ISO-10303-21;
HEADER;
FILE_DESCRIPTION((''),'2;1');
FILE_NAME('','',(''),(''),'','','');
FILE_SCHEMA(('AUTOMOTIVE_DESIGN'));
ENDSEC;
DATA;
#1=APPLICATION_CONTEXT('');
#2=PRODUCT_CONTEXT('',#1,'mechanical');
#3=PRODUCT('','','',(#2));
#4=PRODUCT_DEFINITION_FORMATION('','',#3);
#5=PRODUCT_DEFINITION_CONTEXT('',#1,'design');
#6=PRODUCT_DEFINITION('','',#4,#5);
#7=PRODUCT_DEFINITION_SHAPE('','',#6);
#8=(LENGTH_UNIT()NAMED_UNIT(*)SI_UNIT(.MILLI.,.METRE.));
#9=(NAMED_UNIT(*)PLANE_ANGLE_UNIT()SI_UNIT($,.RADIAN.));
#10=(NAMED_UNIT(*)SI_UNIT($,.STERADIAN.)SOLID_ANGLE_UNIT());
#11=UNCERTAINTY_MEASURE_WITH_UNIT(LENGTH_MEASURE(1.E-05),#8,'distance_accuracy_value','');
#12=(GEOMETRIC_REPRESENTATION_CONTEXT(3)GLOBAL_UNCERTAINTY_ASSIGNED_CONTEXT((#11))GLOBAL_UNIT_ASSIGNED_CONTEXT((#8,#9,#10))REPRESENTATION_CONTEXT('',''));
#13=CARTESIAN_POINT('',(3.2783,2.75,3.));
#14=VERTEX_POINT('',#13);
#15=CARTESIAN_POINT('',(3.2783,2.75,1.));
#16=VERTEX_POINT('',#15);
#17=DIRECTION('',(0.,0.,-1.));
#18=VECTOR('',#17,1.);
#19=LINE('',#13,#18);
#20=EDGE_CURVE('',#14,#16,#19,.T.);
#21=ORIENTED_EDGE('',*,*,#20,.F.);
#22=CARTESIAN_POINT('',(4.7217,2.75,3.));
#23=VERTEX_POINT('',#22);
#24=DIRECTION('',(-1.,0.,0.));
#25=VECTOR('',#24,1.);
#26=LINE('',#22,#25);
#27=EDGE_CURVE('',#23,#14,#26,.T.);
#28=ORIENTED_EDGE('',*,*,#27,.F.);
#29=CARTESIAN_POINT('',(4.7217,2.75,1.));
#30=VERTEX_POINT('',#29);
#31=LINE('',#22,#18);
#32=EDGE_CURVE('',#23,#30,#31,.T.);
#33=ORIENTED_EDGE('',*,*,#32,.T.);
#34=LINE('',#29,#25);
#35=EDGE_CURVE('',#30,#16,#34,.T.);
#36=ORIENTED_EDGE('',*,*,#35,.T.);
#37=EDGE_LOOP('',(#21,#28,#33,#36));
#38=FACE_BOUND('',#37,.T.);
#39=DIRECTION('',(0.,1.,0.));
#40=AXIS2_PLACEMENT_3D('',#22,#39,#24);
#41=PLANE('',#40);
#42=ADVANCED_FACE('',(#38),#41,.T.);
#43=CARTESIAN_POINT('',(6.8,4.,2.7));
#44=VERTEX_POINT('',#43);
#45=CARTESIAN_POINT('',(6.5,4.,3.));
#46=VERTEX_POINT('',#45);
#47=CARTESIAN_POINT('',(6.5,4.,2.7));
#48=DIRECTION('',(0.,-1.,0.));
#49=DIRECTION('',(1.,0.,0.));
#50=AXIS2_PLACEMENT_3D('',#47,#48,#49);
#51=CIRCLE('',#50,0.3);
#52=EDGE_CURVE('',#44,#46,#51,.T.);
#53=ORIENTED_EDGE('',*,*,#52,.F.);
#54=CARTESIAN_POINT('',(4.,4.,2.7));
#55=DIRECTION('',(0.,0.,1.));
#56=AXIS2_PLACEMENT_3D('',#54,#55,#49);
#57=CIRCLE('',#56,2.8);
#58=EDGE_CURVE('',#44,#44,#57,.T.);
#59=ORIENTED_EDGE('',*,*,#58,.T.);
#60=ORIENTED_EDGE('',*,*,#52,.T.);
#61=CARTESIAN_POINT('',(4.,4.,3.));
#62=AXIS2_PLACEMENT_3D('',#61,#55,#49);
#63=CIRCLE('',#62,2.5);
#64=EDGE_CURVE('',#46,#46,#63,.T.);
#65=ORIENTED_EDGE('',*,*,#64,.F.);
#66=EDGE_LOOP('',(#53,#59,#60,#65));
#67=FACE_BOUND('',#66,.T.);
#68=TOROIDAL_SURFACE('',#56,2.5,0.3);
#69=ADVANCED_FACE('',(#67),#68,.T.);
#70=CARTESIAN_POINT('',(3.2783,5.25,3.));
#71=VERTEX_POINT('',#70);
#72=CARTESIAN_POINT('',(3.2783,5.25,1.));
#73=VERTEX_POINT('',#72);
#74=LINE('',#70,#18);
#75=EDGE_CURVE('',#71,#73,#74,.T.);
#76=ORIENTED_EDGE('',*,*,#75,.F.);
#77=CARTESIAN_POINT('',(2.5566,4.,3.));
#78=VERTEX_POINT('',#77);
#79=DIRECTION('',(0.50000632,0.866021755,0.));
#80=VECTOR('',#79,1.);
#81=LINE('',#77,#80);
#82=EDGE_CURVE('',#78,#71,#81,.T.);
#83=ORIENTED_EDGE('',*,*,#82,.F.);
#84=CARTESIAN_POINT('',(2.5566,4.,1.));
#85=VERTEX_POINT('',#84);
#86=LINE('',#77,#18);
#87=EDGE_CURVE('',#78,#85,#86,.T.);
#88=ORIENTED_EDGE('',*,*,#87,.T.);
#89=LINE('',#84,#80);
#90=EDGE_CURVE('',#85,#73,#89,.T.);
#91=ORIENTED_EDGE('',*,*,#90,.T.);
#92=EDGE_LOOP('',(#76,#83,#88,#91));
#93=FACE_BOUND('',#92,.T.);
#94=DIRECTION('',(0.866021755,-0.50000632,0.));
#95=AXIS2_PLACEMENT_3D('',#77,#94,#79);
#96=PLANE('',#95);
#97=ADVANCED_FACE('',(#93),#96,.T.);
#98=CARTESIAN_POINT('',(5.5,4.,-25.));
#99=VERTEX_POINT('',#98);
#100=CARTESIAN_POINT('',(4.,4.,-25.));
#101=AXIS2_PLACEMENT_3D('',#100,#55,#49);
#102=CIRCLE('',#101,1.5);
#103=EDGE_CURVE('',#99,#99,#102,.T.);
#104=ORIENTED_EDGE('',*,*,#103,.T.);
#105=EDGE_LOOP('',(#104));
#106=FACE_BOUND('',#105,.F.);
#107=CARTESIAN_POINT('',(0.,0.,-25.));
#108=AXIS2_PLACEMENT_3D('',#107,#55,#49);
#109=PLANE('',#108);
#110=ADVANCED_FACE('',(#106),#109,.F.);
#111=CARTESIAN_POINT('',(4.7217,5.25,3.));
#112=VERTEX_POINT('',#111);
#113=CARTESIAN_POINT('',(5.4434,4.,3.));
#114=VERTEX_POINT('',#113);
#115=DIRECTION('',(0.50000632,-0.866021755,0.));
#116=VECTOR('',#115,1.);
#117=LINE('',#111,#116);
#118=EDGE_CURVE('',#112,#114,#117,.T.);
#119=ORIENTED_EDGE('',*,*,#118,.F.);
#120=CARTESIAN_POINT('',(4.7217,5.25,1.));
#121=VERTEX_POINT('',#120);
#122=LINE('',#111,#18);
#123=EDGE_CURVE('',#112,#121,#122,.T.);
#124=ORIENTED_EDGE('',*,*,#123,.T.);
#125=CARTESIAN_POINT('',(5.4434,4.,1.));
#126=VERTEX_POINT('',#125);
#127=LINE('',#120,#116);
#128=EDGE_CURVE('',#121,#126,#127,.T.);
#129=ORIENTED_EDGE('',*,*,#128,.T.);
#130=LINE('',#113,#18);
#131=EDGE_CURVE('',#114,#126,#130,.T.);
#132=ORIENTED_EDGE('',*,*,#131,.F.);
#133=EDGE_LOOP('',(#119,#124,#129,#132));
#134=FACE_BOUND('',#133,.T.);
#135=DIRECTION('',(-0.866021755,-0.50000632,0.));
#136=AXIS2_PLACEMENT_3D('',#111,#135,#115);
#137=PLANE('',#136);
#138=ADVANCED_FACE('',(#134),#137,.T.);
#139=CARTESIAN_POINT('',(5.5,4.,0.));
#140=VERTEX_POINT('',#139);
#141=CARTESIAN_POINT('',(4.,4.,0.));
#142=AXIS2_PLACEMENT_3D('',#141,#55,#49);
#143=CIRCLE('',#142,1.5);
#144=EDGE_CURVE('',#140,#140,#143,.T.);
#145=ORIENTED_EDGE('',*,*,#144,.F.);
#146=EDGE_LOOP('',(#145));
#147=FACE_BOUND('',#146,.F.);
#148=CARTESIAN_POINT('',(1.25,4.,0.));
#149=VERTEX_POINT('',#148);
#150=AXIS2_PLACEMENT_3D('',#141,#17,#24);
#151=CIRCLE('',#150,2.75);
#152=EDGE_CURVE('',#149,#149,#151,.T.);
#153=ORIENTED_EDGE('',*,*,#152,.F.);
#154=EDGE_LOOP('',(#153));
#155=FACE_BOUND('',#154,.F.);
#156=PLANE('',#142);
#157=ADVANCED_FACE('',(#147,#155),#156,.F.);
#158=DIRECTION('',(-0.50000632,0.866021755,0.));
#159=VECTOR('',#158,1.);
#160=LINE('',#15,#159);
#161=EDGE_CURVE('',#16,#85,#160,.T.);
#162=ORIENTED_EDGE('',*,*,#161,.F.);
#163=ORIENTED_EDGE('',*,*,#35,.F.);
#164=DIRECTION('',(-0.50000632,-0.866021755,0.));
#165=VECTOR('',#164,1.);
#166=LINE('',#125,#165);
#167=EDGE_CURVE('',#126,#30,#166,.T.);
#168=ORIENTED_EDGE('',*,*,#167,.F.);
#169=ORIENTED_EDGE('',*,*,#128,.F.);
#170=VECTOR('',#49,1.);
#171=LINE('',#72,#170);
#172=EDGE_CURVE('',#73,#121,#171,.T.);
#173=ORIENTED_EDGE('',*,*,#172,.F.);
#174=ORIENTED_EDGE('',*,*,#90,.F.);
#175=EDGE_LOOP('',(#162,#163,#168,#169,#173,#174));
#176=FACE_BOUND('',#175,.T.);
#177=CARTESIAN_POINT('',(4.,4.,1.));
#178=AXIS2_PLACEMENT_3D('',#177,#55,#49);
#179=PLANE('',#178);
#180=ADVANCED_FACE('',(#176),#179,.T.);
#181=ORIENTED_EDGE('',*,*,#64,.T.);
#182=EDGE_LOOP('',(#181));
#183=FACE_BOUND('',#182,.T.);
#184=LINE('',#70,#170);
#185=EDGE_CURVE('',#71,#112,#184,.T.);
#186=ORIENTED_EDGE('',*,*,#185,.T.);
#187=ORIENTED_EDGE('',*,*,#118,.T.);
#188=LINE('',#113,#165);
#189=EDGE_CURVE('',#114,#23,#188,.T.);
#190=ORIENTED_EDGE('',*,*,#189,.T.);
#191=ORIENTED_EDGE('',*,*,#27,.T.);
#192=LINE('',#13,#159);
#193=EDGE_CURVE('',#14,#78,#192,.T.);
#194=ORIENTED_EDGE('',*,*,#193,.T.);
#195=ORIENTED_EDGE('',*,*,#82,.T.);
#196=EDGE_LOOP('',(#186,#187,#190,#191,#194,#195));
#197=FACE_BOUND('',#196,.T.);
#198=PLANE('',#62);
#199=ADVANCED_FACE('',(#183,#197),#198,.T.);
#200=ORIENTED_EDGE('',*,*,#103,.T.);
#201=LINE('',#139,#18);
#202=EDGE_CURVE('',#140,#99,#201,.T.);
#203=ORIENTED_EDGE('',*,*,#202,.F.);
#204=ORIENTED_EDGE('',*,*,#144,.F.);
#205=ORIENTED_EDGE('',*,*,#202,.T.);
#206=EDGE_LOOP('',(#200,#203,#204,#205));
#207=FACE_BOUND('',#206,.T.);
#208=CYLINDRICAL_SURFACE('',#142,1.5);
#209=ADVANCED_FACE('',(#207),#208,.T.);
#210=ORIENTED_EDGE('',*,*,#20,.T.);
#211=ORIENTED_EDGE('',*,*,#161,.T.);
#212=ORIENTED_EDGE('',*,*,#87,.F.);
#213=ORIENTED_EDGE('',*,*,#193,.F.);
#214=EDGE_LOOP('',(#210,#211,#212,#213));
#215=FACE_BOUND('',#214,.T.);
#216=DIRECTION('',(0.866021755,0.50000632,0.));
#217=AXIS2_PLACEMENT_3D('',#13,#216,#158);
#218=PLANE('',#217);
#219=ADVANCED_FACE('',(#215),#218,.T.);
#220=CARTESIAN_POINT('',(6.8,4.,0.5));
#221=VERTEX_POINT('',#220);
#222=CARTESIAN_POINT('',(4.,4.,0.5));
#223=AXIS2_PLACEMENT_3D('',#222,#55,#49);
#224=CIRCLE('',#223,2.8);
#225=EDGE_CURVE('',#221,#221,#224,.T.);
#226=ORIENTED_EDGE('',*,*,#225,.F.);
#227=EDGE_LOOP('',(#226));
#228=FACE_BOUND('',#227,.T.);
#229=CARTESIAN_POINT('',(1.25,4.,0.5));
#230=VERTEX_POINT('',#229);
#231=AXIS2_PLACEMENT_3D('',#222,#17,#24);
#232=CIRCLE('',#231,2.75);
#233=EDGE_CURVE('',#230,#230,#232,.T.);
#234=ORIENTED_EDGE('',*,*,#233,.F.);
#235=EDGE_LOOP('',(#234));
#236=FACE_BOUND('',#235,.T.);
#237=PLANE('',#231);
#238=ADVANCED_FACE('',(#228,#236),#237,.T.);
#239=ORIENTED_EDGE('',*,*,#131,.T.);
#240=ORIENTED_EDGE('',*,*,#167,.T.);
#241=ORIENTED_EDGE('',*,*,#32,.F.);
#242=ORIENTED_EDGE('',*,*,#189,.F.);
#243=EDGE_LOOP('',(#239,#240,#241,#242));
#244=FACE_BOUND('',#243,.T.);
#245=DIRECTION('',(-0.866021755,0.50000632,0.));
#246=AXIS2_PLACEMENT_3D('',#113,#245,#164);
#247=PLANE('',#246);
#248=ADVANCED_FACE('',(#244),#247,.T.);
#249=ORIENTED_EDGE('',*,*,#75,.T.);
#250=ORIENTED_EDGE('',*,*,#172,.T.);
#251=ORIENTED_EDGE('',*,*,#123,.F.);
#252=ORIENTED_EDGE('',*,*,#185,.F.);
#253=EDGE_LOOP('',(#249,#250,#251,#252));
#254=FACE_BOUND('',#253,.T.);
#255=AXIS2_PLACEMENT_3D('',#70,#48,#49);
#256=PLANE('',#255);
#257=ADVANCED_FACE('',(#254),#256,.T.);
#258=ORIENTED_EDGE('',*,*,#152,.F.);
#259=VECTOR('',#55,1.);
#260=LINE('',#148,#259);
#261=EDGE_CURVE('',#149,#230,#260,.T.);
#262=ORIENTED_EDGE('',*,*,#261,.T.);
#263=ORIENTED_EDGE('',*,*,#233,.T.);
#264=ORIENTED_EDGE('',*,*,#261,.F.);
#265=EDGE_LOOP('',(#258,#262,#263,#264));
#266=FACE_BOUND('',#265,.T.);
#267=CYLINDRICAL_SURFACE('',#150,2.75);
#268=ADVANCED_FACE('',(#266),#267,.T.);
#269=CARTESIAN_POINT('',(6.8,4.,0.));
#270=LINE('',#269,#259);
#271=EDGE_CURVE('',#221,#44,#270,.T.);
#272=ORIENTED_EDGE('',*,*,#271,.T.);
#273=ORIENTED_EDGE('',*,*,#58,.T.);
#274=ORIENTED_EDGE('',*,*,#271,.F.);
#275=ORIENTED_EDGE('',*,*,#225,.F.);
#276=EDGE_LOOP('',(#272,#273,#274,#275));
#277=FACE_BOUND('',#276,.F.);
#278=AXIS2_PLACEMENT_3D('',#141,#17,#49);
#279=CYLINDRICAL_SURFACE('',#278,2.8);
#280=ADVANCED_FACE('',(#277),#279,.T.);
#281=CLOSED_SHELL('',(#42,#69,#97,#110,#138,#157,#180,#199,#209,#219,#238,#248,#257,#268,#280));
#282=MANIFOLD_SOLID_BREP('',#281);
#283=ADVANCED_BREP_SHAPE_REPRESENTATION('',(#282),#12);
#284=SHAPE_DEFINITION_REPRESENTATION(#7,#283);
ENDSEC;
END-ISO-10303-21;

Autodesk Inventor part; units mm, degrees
ref_plane "YZ Plane" through (0, 0, 0) normal (1, 0, 0) x (0, 1, 0)
ref_plane "XZ Plane" through (0, 0, 0) normal (0, 1, 0) x (-1, 0, 0)
ref_plane "XY Plane" through (0, 0, 0) normal (0, 0, 1) x (1, 0, 0)
sketch "Sketch1" plane through (0, 0, 0) normal (0, 0, 1) x (1, 0, 0)
  circle A0 centre (4, 4) radius 1.2 projected
  circle A1 centre (4, 4) radius 1.5
  point P0 (0, 0)
  dimension "d0" = 3
extrude "Extrusion1" add sketch "Sketch1" against normal blind 25 contours A0 | A1
sketch "Sketch2" plane through (4, 4, 0) normal (0, 0, 1) x (1, 0, 0)
  circle A0 centre (0, 0) radius 1.5 projected
  circle A1 centre (0, 0) radius 2.8
  point P0 (-4, -4)
  dimension "d3" = 5.6
extrude "Extrusion2" add sketch "Sketch2" along normal blind 3 contours A0 | A1
fillet "Fillet1" radius 0.3 1 edges at (1.2, 4, 3)
sketch "Sketch3" plane through (4, 4, 0) normal (0, 0, -1) x (-1, 0, 0)
  circle A0 centre (0, 0) radius 2.8 projected
  circle A1 centre (0, 0) radius 1.5 projected
  circle A2 centre (0, 0) radius 2.75
  point P0 (4, -4)
  dimension "d7" = 5.5
extrude "Extrusion3" cut sketch "Sketch3" against normal blind 0.5 contours A0
sketch "Sketch4" plane through (4, 4, 3) normal (0, 0, 1) x (1, 0, 0)
  circle A0 centre (0, 0) radius 2.5 projected
  line L0 (0.7217, 1.25) -> (1.4434, 0)
  line L1 (1.4434, 0) -> (0.7217, -1.25)
  line L2 (0.7217, -1.25) -> (-0.7217, -1.25)
  line L3 (-0.7217, -1.25) -> (-1.4434, 0)
  line L4 (-1.4434, 0) -> (-0.7217, 1.25)
  line L5 (-0.7217, 1.25) -> (0.7217, 1.25)
  point P0 (-4, -4)
  dimension "d10" = 2.5
extrude "Extrusion4" cut sketch "Sketch4" against normal blind 2 contours L0 L1 L2 L3 L4 L5
thread "Thread1" size "M3x0.5" class "6g" standard "ANSI Metric M Profile" full length
properties part number "m3 6" material "Steel"
